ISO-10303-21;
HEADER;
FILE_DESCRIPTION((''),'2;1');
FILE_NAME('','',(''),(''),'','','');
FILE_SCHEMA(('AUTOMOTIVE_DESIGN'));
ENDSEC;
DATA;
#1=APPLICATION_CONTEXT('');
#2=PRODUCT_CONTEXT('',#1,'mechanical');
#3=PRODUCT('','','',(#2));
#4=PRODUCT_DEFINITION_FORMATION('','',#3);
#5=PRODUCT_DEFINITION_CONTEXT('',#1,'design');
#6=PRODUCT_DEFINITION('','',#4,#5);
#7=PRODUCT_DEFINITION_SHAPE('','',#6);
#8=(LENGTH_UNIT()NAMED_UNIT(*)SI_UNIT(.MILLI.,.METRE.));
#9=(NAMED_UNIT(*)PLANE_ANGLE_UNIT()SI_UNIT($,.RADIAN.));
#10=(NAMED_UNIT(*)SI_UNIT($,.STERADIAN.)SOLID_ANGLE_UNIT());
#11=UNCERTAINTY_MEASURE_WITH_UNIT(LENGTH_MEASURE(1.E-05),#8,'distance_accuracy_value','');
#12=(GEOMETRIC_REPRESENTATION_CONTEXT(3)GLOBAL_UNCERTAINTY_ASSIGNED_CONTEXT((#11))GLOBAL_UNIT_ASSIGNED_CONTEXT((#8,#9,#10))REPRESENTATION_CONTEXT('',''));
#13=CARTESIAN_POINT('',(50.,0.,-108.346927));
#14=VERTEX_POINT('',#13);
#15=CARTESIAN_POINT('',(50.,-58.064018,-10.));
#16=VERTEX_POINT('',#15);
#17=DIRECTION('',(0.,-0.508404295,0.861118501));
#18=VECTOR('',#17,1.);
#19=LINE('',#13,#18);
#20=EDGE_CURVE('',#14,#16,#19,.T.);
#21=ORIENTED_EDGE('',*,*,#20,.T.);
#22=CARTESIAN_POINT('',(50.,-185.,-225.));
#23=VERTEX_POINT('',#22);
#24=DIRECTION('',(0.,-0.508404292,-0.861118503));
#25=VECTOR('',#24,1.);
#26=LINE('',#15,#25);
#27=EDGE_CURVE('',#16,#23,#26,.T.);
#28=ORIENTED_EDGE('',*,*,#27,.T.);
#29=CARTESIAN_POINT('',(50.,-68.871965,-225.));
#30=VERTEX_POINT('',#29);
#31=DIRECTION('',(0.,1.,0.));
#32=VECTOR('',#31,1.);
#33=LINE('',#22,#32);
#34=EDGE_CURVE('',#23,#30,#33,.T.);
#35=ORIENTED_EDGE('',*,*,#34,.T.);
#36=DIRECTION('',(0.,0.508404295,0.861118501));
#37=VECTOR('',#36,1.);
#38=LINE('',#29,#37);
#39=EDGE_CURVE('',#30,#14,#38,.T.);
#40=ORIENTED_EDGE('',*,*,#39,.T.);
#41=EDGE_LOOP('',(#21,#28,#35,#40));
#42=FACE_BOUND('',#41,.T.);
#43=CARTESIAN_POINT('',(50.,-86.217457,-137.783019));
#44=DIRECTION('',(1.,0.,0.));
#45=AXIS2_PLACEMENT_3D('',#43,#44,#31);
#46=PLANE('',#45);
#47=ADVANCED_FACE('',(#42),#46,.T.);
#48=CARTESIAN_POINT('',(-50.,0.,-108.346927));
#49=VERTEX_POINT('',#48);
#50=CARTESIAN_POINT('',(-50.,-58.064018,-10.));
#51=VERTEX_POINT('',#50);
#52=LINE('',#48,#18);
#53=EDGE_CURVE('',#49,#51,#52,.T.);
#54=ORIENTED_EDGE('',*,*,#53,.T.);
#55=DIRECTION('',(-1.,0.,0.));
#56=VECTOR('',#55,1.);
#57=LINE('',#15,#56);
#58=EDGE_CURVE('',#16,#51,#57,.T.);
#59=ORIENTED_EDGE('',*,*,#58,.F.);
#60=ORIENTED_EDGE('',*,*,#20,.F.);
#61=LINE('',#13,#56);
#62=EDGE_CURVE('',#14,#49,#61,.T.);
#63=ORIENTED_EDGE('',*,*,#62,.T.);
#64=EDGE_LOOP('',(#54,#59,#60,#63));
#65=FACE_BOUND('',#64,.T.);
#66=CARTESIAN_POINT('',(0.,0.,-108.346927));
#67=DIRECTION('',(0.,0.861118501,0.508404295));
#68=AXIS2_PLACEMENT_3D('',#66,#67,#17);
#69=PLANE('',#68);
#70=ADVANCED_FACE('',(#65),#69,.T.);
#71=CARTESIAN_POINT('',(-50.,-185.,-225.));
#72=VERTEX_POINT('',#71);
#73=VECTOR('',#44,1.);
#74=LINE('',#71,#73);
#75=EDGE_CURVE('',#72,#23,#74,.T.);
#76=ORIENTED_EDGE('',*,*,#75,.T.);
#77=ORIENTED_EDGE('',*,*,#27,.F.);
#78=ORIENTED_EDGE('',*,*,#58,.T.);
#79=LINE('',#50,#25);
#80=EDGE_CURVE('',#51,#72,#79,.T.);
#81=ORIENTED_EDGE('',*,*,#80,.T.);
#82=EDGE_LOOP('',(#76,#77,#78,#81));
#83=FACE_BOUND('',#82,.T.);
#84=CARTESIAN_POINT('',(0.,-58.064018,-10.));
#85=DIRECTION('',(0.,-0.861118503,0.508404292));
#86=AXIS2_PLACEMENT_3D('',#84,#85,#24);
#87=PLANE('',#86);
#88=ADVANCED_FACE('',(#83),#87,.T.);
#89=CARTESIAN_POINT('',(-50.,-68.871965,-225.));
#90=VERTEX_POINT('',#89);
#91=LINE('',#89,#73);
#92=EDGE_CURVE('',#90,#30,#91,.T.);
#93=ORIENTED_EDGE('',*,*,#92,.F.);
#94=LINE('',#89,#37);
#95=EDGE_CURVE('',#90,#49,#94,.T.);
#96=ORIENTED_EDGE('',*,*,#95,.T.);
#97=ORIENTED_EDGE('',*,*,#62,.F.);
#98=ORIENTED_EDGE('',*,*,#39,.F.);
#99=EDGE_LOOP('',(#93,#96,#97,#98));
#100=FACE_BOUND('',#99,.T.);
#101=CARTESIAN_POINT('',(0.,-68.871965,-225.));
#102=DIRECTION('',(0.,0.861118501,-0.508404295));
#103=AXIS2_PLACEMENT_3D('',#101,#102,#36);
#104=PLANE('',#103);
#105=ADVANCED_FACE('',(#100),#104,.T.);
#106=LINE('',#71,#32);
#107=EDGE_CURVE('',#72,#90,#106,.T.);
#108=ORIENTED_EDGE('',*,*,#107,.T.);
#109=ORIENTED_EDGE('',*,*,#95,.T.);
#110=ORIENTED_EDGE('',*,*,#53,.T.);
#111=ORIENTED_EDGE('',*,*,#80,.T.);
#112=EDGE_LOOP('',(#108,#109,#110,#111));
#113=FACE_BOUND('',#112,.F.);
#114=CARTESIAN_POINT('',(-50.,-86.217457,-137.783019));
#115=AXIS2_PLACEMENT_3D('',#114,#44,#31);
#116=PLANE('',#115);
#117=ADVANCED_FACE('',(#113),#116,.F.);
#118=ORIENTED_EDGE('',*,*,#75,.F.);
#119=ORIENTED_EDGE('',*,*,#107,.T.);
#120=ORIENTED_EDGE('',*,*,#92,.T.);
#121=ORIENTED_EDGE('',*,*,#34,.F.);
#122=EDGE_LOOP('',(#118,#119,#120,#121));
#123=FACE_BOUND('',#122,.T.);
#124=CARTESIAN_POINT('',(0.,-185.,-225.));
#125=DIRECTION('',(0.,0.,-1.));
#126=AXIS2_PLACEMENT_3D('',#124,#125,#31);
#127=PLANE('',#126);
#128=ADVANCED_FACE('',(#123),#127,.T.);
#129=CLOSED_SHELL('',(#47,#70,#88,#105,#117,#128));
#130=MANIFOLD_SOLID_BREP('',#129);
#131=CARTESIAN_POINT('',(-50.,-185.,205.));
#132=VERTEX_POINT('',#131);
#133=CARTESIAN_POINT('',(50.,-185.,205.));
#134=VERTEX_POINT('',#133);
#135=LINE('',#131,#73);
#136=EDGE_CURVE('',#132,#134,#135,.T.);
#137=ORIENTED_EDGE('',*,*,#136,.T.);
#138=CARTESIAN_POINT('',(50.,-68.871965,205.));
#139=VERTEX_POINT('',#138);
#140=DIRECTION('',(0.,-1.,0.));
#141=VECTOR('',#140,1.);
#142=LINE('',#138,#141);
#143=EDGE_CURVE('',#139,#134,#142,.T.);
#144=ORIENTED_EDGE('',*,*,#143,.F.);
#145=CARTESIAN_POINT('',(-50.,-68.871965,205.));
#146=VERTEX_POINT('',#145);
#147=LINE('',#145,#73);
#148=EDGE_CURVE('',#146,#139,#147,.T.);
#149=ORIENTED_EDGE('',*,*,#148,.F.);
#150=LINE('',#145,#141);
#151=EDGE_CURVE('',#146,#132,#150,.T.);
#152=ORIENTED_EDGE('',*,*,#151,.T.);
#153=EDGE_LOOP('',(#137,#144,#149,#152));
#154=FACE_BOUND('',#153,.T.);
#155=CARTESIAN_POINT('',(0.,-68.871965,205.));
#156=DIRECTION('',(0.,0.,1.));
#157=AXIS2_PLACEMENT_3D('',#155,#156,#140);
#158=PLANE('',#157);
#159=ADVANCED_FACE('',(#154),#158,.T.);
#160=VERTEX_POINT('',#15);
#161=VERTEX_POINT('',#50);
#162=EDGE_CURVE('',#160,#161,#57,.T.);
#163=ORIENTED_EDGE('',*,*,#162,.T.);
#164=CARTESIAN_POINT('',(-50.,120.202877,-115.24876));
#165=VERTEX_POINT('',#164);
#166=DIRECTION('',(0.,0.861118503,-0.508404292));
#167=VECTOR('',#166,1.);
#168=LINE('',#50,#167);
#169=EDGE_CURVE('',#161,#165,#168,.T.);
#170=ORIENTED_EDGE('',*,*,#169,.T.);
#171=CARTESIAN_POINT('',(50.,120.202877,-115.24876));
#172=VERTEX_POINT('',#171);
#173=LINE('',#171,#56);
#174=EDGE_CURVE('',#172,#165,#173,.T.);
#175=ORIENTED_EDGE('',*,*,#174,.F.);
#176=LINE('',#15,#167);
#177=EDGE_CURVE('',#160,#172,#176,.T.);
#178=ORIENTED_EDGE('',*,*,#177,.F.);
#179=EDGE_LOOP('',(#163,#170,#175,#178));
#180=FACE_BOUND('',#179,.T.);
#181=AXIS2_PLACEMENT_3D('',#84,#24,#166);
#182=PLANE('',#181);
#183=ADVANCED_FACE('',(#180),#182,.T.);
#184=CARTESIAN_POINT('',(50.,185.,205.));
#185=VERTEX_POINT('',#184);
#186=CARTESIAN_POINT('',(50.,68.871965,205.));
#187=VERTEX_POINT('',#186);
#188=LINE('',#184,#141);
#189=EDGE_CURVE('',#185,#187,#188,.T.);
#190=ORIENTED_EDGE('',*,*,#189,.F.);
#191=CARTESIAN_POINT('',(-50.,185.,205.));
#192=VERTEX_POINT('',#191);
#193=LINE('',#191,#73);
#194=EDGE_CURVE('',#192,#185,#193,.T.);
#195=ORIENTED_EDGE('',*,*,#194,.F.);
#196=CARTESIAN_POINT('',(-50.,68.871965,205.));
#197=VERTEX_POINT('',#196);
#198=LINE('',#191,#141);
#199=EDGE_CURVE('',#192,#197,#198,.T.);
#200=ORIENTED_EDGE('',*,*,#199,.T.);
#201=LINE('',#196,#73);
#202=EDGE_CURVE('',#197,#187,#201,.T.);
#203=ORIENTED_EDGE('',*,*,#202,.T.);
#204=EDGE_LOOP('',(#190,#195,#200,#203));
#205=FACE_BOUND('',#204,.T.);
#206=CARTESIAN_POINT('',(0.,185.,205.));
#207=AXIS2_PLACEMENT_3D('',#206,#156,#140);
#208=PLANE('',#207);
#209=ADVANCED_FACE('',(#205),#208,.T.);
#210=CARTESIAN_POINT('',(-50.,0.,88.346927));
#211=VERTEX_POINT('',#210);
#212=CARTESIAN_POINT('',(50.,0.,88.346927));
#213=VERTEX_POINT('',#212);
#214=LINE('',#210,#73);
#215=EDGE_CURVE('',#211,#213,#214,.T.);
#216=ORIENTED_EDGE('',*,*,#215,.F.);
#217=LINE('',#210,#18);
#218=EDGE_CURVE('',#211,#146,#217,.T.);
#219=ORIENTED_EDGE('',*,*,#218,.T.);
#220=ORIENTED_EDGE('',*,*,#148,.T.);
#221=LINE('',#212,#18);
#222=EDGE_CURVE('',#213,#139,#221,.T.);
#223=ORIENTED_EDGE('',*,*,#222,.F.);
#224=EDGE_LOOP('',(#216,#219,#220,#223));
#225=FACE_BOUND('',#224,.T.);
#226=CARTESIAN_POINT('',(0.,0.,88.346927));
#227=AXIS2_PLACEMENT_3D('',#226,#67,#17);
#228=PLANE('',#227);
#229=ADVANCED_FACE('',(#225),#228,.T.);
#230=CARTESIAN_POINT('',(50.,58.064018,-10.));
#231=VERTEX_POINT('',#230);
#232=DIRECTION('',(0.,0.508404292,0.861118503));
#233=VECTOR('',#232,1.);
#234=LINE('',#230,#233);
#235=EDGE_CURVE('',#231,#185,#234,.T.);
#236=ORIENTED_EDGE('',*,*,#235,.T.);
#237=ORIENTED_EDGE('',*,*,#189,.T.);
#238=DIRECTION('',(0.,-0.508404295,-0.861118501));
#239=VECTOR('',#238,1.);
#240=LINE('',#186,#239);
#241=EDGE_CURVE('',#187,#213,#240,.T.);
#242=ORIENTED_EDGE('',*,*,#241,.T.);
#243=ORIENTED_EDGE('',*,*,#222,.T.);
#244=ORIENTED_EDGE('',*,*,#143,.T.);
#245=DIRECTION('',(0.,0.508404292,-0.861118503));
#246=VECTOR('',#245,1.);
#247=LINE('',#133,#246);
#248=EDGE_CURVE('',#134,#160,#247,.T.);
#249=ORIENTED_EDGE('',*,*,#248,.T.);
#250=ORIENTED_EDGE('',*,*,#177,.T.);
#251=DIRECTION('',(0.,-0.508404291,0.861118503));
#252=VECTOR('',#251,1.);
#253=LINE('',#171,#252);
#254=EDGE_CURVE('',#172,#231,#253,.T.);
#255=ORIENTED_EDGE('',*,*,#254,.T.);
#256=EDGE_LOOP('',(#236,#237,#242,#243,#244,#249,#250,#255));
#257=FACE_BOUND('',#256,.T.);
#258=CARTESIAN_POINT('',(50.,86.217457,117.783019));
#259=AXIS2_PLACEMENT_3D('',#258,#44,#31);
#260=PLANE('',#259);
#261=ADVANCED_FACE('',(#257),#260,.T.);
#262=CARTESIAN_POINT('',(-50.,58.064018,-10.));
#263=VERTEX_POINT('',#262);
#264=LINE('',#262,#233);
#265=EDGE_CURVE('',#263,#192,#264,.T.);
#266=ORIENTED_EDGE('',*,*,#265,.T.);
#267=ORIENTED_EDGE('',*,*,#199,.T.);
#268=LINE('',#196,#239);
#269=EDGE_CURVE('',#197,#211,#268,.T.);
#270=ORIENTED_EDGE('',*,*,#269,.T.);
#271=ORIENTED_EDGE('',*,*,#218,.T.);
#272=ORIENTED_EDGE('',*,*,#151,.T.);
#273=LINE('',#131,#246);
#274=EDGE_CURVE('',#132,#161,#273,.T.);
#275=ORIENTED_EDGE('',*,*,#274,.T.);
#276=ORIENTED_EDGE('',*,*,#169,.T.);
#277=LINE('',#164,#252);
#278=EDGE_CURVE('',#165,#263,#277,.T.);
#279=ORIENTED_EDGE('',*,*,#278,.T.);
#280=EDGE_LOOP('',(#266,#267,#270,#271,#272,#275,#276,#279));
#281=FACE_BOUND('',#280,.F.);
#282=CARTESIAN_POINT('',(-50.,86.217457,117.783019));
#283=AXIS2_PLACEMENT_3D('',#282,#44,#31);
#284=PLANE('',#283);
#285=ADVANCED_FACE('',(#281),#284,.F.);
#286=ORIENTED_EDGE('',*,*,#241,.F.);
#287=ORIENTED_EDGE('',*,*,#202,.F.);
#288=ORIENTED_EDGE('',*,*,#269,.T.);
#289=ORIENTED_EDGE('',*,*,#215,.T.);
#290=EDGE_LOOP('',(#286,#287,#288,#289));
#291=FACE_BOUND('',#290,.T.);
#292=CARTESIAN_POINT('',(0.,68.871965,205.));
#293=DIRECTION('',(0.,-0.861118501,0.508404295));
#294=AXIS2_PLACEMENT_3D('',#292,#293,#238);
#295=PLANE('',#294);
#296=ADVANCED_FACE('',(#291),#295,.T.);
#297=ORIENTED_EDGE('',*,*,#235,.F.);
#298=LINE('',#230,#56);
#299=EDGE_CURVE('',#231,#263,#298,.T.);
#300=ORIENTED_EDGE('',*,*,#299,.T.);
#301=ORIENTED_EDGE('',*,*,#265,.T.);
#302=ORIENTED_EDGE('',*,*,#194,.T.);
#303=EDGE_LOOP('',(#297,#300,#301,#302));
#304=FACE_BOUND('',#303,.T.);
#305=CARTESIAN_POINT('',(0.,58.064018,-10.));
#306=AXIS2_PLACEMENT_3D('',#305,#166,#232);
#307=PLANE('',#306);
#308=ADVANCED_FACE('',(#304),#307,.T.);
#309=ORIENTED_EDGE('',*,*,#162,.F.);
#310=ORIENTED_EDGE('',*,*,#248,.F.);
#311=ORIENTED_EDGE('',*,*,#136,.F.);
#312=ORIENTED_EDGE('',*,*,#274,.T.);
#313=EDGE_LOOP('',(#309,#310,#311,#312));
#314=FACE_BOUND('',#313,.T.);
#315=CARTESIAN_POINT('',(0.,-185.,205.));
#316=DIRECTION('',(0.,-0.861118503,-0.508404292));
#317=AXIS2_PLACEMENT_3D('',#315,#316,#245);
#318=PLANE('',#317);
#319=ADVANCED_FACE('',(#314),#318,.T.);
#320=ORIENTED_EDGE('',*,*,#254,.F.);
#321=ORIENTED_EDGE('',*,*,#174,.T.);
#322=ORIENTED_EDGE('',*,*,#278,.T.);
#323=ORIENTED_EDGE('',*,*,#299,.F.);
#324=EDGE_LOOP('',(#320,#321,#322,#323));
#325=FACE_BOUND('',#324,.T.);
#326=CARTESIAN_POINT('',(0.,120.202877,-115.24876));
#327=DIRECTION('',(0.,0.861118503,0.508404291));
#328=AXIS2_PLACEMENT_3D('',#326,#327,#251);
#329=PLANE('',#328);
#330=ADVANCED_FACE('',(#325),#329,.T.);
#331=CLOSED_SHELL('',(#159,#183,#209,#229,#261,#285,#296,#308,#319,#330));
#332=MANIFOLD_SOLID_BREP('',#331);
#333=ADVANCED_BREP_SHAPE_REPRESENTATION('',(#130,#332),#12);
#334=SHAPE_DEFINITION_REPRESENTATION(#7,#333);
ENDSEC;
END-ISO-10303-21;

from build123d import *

# Parameters (mm, degrees)
F1_DEPTH = 50


with BuildPart() as f1:
    # F0 (on Right) → F1 (new body, symmetric)
    with BuildSketch(Plane.YZ):
        Polygon((-58.064018, -10), (-185, -225), (-68.871965, -225), (0, -108.346927), align=None)
        Polygon((0, 88.346927), (58.064018, -10), (185, 205), (68.871965, 205), align=None)
        Polygon((-185, 205), (-58.064018, -10), (120.202877, -115.24876), (58.064018, -10), (0, 88.346927), (-68.871965, 205), align=None)
    extrude(amount=F1_DEPTH, both=True)


solid = f1.part
